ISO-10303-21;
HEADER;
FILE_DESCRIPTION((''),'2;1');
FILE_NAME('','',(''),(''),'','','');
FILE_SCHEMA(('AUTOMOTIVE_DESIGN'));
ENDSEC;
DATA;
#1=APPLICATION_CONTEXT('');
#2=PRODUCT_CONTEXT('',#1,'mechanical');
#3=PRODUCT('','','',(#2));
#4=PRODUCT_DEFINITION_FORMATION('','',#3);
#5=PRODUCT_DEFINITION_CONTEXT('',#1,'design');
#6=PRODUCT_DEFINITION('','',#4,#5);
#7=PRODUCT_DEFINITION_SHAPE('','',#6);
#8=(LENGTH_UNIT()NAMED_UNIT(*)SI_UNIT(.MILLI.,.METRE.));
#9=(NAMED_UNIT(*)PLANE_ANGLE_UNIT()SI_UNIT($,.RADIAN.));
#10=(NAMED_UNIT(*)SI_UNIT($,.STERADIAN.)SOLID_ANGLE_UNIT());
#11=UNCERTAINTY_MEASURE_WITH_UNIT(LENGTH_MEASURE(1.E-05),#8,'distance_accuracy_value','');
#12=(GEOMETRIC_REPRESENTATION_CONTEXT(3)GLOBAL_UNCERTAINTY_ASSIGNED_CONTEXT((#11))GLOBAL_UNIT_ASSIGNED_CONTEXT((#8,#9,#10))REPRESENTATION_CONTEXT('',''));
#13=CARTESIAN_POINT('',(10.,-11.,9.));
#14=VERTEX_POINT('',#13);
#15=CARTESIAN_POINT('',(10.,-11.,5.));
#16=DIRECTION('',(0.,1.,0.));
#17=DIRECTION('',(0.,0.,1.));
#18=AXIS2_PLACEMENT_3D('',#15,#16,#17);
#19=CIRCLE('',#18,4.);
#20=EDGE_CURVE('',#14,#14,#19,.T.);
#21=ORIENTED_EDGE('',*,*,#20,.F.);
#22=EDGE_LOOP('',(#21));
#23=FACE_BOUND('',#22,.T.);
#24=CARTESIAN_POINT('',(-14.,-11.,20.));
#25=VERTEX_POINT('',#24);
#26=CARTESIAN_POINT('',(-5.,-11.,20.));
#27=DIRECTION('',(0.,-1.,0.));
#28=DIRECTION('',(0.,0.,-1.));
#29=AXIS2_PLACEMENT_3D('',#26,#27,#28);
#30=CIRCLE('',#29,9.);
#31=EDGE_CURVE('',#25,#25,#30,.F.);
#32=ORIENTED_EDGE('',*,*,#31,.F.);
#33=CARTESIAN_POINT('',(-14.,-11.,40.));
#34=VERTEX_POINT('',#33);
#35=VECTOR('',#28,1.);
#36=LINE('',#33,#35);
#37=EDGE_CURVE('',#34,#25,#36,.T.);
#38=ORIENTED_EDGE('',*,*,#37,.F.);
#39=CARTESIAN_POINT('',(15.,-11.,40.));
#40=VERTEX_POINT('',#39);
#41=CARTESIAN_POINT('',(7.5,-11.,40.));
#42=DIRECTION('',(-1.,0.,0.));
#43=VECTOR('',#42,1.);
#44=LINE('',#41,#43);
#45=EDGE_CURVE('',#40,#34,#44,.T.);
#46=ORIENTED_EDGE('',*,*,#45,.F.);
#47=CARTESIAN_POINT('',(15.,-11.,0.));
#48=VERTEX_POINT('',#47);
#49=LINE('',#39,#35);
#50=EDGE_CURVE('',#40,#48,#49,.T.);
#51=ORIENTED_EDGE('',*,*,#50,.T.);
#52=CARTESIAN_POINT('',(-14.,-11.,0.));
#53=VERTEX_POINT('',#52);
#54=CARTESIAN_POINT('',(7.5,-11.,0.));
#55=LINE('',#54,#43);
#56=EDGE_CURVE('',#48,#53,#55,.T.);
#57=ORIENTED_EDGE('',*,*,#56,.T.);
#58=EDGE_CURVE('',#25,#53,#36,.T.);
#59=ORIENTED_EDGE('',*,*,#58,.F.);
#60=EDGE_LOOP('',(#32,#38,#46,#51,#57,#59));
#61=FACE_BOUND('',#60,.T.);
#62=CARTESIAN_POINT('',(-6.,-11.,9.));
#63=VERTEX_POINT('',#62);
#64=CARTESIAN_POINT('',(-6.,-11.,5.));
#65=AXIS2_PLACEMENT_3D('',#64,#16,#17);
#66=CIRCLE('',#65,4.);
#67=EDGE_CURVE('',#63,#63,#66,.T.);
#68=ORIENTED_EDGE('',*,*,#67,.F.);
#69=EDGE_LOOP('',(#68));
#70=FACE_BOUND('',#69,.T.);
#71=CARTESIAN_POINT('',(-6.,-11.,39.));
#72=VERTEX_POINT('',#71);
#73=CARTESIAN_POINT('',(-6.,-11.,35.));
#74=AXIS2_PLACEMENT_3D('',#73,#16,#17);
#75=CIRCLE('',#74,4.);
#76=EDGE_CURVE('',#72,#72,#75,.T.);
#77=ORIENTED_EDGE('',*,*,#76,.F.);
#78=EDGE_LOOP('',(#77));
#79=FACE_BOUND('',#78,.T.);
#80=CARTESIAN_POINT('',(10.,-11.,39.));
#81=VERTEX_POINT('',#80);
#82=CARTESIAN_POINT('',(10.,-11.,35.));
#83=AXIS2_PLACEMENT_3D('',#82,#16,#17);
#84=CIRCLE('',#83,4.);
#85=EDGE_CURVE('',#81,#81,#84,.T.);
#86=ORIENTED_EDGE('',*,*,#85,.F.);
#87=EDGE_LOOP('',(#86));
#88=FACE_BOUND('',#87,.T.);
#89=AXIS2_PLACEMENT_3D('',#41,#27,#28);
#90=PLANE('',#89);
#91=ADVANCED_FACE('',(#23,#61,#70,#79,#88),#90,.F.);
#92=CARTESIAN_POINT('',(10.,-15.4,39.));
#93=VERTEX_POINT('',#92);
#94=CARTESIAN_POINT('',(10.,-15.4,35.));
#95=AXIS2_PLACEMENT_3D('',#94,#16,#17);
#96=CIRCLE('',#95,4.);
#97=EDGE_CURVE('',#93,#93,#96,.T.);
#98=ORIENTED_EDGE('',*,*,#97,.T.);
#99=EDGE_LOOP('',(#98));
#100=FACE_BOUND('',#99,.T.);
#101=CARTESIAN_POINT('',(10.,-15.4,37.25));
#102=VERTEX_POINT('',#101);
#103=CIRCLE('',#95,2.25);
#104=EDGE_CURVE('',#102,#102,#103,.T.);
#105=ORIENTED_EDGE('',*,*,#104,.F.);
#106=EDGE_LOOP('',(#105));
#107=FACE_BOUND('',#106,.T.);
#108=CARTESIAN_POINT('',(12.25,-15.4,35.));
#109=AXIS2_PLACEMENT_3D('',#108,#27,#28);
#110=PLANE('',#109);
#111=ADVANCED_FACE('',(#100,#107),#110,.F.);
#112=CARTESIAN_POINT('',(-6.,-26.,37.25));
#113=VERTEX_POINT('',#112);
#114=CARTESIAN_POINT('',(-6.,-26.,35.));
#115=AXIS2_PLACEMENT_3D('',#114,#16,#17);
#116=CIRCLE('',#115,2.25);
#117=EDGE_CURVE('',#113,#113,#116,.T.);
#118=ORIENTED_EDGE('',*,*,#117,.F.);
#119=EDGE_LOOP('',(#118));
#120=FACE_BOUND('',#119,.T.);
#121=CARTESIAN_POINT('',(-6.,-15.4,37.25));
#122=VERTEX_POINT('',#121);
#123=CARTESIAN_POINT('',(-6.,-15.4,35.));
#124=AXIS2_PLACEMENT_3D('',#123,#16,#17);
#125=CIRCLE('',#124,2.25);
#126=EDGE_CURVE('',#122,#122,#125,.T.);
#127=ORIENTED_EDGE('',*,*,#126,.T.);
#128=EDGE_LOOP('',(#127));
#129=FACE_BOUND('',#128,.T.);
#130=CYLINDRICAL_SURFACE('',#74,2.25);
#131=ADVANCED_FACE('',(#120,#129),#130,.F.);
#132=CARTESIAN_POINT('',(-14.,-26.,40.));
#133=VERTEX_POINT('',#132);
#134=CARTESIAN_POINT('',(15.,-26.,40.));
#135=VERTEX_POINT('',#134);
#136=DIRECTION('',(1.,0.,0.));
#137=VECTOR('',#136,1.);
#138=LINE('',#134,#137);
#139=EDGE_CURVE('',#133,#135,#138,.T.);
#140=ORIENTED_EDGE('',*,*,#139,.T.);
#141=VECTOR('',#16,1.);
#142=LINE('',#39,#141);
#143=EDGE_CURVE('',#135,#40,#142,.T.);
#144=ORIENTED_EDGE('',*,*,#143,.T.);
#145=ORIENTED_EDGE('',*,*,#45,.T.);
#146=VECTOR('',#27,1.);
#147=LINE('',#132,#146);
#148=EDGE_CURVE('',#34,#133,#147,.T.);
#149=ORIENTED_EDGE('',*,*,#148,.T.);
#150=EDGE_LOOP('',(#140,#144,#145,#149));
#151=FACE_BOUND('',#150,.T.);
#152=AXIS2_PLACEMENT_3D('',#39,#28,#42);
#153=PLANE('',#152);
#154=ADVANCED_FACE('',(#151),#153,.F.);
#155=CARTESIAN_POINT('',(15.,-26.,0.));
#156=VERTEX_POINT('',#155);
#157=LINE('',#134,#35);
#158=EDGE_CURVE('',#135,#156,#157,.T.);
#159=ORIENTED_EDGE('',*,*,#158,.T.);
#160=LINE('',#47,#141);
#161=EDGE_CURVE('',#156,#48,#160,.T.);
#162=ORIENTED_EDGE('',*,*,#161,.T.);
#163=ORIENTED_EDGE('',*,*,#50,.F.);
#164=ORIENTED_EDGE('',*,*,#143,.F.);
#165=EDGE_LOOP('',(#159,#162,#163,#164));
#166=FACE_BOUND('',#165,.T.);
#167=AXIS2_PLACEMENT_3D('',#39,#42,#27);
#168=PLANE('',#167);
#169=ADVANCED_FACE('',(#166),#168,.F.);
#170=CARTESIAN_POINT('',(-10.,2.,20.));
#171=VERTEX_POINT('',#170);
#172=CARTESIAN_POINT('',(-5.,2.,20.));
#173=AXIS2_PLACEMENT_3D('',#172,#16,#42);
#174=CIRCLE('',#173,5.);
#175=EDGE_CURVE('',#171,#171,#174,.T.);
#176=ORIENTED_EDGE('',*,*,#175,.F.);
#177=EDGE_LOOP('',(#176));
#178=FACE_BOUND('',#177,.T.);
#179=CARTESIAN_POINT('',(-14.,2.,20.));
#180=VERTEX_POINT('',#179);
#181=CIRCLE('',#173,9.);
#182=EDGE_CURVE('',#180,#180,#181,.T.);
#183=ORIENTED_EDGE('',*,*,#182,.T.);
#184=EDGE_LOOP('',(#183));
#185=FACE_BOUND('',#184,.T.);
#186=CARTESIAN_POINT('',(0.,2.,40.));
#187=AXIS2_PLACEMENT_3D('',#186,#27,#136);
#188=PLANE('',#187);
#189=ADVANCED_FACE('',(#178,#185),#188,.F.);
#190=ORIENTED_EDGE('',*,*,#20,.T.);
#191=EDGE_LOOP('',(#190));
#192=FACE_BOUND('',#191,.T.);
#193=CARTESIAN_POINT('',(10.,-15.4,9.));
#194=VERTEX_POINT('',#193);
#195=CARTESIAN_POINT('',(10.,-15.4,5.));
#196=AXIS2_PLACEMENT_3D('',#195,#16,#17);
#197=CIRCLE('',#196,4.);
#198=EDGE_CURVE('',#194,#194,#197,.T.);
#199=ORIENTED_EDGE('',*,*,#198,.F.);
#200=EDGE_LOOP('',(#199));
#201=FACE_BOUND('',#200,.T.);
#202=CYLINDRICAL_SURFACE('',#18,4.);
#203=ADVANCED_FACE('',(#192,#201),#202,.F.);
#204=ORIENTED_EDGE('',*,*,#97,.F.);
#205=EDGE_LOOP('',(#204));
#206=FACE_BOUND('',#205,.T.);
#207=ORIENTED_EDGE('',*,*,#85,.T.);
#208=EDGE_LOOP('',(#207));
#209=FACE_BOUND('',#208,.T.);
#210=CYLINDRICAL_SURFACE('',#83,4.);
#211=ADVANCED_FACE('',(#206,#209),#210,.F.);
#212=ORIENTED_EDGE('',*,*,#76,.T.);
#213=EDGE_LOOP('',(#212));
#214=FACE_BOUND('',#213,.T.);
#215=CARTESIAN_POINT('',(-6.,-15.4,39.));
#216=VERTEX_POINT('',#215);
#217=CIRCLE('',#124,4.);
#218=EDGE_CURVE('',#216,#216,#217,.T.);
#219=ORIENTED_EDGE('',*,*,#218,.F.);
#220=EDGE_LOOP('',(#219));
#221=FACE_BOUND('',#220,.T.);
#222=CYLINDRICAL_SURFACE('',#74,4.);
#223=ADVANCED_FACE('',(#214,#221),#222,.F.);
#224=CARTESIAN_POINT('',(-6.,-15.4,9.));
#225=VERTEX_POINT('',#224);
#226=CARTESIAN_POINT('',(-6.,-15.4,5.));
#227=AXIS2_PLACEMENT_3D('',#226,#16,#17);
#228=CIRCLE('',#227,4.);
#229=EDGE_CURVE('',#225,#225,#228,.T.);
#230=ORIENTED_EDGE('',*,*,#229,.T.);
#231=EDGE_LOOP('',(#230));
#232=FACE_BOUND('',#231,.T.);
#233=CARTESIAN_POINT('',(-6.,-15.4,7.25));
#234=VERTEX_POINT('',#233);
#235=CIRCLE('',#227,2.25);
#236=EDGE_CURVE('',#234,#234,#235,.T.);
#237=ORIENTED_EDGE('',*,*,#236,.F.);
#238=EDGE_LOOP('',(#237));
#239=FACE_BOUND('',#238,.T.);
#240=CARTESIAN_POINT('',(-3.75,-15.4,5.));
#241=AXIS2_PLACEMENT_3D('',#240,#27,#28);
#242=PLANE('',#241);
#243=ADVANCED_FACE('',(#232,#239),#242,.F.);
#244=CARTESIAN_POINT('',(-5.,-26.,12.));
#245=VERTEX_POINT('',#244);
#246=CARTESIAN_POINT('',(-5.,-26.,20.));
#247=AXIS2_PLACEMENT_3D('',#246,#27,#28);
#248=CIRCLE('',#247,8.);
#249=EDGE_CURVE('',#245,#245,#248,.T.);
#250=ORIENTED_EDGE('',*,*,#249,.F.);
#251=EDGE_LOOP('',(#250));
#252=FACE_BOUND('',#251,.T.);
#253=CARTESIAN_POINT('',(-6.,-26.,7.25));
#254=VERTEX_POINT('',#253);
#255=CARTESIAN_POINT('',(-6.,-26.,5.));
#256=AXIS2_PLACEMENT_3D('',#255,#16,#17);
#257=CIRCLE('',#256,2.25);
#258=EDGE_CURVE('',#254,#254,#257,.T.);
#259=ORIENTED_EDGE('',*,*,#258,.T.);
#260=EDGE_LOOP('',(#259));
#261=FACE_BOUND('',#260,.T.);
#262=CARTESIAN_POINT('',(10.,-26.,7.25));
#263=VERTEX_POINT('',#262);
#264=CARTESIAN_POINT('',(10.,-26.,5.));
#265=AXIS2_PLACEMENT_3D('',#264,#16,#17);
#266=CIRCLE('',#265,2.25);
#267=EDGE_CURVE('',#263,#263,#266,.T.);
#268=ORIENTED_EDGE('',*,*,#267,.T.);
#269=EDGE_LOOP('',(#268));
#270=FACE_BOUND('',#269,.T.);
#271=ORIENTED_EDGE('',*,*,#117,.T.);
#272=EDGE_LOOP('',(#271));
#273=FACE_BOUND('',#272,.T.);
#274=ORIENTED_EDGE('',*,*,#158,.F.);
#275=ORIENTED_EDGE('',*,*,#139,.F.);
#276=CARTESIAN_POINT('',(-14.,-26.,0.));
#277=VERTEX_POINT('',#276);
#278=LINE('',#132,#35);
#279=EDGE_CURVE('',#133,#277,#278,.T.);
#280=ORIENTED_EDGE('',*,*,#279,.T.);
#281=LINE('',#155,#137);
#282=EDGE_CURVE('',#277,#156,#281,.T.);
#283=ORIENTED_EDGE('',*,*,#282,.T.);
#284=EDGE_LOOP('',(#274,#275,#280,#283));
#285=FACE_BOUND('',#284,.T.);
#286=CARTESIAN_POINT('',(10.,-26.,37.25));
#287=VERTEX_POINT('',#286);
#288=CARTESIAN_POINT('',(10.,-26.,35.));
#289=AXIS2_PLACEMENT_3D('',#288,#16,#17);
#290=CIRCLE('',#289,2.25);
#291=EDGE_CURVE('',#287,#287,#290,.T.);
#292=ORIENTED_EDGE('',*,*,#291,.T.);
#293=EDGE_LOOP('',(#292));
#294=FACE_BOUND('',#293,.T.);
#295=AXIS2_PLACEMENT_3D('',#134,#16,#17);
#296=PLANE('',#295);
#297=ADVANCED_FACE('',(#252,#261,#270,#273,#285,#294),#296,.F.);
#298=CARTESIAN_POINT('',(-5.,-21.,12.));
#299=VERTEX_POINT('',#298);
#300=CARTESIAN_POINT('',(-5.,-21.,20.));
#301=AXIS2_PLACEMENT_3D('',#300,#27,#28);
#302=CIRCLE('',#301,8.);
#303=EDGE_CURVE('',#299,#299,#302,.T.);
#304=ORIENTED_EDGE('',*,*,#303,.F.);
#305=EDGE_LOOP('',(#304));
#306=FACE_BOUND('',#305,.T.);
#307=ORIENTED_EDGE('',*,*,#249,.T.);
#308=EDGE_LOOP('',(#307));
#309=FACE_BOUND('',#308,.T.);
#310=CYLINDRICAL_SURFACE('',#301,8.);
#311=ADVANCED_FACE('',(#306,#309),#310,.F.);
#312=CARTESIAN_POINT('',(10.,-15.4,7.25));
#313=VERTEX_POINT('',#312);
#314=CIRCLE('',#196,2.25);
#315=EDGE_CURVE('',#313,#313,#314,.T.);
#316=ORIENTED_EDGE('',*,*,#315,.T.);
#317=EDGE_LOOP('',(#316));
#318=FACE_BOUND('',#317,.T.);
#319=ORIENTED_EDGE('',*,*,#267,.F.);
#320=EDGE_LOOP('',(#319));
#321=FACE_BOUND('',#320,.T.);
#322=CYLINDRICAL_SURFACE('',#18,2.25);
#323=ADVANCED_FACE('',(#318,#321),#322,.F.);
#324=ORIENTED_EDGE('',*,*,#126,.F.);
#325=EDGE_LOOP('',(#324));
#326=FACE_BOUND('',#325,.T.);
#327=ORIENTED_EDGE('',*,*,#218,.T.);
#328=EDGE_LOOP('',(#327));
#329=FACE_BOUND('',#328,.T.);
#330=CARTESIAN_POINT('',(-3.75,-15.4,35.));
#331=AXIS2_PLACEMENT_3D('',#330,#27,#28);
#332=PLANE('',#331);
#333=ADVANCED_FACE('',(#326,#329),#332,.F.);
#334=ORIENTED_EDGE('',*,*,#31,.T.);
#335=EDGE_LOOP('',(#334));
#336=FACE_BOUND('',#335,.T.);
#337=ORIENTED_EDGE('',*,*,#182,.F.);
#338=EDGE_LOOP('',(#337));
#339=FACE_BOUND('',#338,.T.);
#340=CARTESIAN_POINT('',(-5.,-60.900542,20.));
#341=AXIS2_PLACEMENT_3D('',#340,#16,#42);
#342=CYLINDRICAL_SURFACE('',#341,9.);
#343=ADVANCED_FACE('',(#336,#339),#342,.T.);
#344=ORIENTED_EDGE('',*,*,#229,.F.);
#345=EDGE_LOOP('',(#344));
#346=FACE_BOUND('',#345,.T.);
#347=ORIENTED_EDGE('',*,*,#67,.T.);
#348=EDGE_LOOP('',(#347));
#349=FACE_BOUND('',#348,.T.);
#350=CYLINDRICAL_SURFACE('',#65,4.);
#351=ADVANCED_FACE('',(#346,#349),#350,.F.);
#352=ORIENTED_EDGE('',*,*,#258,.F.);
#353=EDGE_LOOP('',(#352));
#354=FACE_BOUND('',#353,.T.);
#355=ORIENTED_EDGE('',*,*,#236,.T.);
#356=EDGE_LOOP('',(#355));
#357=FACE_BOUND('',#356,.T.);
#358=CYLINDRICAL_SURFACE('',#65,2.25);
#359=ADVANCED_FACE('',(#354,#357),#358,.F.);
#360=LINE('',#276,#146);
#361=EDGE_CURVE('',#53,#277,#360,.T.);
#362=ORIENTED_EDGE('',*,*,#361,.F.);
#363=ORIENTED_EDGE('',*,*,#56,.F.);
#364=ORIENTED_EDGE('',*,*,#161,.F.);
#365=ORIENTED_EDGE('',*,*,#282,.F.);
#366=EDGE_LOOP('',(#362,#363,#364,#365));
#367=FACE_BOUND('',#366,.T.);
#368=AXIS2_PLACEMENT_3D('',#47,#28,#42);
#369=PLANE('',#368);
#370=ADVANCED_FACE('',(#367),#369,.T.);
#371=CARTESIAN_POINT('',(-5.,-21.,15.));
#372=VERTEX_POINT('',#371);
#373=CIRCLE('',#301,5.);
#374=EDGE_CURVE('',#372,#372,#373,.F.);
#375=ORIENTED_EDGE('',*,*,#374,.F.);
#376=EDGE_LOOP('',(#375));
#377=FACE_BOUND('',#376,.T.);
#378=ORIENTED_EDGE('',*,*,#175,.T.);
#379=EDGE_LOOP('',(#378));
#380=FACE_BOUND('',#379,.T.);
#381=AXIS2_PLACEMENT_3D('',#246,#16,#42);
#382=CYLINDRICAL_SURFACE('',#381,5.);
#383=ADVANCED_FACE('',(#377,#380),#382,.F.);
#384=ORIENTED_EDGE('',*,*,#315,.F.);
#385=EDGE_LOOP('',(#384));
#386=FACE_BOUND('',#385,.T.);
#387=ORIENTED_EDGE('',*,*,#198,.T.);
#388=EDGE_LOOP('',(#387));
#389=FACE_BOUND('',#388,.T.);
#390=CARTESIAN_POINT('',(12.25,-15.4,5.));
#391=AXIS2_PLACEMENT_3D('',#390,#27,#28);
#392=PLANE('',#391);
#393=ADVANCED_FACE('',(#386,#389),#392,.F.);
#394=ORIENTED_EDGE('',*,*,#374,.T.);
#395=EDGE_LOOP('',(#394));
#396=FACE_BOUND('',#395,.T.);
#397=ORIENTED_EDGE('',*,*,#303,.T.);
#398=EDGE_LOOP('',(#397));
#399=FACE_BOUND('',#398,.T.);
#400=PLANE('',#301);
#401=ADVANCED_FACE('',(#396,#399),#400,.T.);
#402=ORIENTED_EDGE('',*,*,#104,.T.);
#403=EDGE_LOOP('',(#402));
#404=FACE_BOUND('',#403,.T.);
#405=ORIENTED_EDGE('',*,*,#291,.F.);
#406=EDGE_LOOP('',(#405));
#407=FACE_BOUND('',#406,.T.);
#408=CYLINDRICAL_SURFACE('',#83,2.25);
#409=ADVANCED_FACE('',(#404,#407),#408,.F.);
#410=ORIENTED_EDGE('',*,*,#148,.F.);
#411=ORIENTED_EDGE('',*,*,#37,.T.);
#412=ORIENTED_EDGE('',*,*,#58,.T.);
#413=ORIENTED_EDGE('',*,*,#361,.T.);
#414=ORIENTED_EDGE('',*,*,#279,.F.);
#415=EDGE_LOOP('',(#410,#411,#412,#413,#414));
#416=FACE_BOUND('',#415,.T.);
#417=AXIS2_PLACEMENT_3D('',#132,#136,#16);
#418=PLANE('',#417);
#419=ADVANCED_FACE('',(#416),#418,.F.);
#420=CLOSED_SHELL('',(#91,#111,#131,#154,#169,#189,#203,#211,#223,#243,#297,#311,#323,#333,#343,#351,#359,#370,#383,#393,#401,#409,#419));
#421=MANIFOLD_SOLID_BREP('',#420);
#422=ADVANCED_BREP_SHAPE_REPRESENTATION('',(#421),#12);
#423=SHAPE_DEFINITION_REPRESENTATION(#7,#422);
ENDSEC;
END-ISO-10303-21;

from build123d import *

# Parameters (mm, degrees)
EXTRUDE_1_DEPTH             = 40
SKETCH_9_R                  = 5
CUT_EXTRUDE_3_DEPTH         = 52.078371156
SKETCH_16_OUTSIDE_W         = 42.358
SKETCH_16_OUTSIDE_H         = 53.358
SKETCH_16_OUTSIDE_R         = 9
CUT_EXTRUDE_4_DEPTH         = 13
HOLE_WIZARD_M41_D           = 4.5
HOLE_WIZARD_M41_CBORE_D     = 8
HOLE_WIZARD_M41_CBORE_DEPTH = 4.4
SKETCH_19_R                 = 8
CUT_EXTRUDE_5_DEPTH         = 5


with BuildPart() as part:
    # Эскиз1 → Бобышка-Вытянуть1 (new body)
    with BuildSketch(Plane.XY):
        Polygon((7.5, 0), (7.5, -11), (15, -11), (15, -26), (-14, -26), (-14, 2), (0, 2), (7.5, 2), align=None)
    extrude(amount=EXTRUDE_1_DEPTH)

    # Эскиз9 → Вырез-Вытянуть3 (cut, through all)
    with BuildSketch(Plane(origin=(0, 2, 0), x_dir=(1, 0, 0), z_dir=(0, 1, 0))):
        with Locations(Location((-5, -20, 0), (0, 0, 180))):
            Circle(SKETCH_9_R)
    extrude(amount=-CUT_EXTRUDE_3_DEPTH, mode=Mode.SUBTRACT)

    # Эскиз16 outside → Вырез-Вытянуть4 (cut)
    with BuildSketch(Plane(origin=(0, 2, 0), x_dir=(1, 0, 0), z_dir=(0, 1, 0))):
        with Locations((0.5, -20)):
            Rectangle(SKETCH_16_OUTSIDE_W, SKETCH_16_OUTSIDE_H)
        with Locations(Location((-5, -20, 0), (0, 0, 180))):
            Circle(SKETCH_16_OUTSIDE_R, mode=Mode.SUBTRACT)
    extrude(amount=-CUT_EXTRUDE_4_DEPTH, mode=Mode.SUBTRACT)

    # Цековка для  винта с внутренним шестигранником M41 (through all)
    with Locations(Plane(origin=(0, -11, 0), x_dir=(-1, 0, 0), z_dir=(0, 1, 0))):
        with Locations((-10, 35), (-10, 5), (6, 35), (6, 5)):
            CounterBoreHole(HOLE_WIZARD_M41_D / 2, HOLE_WIZARD_M41_CBORE_D / 2, HOLE_WIZARD_M41_CBORE_DEPTH)

    # Эскиз19 → Вырез-Вытянуть5 (cut)
    with BuildSketch(Plane.XZ.offset(26)):
        with Locations(Location((-5, 20, 0), (0, 0, 270))):
            Circle(SKETCH_19_R)
    extrude(amount=-CUT_EXTRUDE_5_DEPTH, mode=Mode.SUBTRACT)


solid = part.part
